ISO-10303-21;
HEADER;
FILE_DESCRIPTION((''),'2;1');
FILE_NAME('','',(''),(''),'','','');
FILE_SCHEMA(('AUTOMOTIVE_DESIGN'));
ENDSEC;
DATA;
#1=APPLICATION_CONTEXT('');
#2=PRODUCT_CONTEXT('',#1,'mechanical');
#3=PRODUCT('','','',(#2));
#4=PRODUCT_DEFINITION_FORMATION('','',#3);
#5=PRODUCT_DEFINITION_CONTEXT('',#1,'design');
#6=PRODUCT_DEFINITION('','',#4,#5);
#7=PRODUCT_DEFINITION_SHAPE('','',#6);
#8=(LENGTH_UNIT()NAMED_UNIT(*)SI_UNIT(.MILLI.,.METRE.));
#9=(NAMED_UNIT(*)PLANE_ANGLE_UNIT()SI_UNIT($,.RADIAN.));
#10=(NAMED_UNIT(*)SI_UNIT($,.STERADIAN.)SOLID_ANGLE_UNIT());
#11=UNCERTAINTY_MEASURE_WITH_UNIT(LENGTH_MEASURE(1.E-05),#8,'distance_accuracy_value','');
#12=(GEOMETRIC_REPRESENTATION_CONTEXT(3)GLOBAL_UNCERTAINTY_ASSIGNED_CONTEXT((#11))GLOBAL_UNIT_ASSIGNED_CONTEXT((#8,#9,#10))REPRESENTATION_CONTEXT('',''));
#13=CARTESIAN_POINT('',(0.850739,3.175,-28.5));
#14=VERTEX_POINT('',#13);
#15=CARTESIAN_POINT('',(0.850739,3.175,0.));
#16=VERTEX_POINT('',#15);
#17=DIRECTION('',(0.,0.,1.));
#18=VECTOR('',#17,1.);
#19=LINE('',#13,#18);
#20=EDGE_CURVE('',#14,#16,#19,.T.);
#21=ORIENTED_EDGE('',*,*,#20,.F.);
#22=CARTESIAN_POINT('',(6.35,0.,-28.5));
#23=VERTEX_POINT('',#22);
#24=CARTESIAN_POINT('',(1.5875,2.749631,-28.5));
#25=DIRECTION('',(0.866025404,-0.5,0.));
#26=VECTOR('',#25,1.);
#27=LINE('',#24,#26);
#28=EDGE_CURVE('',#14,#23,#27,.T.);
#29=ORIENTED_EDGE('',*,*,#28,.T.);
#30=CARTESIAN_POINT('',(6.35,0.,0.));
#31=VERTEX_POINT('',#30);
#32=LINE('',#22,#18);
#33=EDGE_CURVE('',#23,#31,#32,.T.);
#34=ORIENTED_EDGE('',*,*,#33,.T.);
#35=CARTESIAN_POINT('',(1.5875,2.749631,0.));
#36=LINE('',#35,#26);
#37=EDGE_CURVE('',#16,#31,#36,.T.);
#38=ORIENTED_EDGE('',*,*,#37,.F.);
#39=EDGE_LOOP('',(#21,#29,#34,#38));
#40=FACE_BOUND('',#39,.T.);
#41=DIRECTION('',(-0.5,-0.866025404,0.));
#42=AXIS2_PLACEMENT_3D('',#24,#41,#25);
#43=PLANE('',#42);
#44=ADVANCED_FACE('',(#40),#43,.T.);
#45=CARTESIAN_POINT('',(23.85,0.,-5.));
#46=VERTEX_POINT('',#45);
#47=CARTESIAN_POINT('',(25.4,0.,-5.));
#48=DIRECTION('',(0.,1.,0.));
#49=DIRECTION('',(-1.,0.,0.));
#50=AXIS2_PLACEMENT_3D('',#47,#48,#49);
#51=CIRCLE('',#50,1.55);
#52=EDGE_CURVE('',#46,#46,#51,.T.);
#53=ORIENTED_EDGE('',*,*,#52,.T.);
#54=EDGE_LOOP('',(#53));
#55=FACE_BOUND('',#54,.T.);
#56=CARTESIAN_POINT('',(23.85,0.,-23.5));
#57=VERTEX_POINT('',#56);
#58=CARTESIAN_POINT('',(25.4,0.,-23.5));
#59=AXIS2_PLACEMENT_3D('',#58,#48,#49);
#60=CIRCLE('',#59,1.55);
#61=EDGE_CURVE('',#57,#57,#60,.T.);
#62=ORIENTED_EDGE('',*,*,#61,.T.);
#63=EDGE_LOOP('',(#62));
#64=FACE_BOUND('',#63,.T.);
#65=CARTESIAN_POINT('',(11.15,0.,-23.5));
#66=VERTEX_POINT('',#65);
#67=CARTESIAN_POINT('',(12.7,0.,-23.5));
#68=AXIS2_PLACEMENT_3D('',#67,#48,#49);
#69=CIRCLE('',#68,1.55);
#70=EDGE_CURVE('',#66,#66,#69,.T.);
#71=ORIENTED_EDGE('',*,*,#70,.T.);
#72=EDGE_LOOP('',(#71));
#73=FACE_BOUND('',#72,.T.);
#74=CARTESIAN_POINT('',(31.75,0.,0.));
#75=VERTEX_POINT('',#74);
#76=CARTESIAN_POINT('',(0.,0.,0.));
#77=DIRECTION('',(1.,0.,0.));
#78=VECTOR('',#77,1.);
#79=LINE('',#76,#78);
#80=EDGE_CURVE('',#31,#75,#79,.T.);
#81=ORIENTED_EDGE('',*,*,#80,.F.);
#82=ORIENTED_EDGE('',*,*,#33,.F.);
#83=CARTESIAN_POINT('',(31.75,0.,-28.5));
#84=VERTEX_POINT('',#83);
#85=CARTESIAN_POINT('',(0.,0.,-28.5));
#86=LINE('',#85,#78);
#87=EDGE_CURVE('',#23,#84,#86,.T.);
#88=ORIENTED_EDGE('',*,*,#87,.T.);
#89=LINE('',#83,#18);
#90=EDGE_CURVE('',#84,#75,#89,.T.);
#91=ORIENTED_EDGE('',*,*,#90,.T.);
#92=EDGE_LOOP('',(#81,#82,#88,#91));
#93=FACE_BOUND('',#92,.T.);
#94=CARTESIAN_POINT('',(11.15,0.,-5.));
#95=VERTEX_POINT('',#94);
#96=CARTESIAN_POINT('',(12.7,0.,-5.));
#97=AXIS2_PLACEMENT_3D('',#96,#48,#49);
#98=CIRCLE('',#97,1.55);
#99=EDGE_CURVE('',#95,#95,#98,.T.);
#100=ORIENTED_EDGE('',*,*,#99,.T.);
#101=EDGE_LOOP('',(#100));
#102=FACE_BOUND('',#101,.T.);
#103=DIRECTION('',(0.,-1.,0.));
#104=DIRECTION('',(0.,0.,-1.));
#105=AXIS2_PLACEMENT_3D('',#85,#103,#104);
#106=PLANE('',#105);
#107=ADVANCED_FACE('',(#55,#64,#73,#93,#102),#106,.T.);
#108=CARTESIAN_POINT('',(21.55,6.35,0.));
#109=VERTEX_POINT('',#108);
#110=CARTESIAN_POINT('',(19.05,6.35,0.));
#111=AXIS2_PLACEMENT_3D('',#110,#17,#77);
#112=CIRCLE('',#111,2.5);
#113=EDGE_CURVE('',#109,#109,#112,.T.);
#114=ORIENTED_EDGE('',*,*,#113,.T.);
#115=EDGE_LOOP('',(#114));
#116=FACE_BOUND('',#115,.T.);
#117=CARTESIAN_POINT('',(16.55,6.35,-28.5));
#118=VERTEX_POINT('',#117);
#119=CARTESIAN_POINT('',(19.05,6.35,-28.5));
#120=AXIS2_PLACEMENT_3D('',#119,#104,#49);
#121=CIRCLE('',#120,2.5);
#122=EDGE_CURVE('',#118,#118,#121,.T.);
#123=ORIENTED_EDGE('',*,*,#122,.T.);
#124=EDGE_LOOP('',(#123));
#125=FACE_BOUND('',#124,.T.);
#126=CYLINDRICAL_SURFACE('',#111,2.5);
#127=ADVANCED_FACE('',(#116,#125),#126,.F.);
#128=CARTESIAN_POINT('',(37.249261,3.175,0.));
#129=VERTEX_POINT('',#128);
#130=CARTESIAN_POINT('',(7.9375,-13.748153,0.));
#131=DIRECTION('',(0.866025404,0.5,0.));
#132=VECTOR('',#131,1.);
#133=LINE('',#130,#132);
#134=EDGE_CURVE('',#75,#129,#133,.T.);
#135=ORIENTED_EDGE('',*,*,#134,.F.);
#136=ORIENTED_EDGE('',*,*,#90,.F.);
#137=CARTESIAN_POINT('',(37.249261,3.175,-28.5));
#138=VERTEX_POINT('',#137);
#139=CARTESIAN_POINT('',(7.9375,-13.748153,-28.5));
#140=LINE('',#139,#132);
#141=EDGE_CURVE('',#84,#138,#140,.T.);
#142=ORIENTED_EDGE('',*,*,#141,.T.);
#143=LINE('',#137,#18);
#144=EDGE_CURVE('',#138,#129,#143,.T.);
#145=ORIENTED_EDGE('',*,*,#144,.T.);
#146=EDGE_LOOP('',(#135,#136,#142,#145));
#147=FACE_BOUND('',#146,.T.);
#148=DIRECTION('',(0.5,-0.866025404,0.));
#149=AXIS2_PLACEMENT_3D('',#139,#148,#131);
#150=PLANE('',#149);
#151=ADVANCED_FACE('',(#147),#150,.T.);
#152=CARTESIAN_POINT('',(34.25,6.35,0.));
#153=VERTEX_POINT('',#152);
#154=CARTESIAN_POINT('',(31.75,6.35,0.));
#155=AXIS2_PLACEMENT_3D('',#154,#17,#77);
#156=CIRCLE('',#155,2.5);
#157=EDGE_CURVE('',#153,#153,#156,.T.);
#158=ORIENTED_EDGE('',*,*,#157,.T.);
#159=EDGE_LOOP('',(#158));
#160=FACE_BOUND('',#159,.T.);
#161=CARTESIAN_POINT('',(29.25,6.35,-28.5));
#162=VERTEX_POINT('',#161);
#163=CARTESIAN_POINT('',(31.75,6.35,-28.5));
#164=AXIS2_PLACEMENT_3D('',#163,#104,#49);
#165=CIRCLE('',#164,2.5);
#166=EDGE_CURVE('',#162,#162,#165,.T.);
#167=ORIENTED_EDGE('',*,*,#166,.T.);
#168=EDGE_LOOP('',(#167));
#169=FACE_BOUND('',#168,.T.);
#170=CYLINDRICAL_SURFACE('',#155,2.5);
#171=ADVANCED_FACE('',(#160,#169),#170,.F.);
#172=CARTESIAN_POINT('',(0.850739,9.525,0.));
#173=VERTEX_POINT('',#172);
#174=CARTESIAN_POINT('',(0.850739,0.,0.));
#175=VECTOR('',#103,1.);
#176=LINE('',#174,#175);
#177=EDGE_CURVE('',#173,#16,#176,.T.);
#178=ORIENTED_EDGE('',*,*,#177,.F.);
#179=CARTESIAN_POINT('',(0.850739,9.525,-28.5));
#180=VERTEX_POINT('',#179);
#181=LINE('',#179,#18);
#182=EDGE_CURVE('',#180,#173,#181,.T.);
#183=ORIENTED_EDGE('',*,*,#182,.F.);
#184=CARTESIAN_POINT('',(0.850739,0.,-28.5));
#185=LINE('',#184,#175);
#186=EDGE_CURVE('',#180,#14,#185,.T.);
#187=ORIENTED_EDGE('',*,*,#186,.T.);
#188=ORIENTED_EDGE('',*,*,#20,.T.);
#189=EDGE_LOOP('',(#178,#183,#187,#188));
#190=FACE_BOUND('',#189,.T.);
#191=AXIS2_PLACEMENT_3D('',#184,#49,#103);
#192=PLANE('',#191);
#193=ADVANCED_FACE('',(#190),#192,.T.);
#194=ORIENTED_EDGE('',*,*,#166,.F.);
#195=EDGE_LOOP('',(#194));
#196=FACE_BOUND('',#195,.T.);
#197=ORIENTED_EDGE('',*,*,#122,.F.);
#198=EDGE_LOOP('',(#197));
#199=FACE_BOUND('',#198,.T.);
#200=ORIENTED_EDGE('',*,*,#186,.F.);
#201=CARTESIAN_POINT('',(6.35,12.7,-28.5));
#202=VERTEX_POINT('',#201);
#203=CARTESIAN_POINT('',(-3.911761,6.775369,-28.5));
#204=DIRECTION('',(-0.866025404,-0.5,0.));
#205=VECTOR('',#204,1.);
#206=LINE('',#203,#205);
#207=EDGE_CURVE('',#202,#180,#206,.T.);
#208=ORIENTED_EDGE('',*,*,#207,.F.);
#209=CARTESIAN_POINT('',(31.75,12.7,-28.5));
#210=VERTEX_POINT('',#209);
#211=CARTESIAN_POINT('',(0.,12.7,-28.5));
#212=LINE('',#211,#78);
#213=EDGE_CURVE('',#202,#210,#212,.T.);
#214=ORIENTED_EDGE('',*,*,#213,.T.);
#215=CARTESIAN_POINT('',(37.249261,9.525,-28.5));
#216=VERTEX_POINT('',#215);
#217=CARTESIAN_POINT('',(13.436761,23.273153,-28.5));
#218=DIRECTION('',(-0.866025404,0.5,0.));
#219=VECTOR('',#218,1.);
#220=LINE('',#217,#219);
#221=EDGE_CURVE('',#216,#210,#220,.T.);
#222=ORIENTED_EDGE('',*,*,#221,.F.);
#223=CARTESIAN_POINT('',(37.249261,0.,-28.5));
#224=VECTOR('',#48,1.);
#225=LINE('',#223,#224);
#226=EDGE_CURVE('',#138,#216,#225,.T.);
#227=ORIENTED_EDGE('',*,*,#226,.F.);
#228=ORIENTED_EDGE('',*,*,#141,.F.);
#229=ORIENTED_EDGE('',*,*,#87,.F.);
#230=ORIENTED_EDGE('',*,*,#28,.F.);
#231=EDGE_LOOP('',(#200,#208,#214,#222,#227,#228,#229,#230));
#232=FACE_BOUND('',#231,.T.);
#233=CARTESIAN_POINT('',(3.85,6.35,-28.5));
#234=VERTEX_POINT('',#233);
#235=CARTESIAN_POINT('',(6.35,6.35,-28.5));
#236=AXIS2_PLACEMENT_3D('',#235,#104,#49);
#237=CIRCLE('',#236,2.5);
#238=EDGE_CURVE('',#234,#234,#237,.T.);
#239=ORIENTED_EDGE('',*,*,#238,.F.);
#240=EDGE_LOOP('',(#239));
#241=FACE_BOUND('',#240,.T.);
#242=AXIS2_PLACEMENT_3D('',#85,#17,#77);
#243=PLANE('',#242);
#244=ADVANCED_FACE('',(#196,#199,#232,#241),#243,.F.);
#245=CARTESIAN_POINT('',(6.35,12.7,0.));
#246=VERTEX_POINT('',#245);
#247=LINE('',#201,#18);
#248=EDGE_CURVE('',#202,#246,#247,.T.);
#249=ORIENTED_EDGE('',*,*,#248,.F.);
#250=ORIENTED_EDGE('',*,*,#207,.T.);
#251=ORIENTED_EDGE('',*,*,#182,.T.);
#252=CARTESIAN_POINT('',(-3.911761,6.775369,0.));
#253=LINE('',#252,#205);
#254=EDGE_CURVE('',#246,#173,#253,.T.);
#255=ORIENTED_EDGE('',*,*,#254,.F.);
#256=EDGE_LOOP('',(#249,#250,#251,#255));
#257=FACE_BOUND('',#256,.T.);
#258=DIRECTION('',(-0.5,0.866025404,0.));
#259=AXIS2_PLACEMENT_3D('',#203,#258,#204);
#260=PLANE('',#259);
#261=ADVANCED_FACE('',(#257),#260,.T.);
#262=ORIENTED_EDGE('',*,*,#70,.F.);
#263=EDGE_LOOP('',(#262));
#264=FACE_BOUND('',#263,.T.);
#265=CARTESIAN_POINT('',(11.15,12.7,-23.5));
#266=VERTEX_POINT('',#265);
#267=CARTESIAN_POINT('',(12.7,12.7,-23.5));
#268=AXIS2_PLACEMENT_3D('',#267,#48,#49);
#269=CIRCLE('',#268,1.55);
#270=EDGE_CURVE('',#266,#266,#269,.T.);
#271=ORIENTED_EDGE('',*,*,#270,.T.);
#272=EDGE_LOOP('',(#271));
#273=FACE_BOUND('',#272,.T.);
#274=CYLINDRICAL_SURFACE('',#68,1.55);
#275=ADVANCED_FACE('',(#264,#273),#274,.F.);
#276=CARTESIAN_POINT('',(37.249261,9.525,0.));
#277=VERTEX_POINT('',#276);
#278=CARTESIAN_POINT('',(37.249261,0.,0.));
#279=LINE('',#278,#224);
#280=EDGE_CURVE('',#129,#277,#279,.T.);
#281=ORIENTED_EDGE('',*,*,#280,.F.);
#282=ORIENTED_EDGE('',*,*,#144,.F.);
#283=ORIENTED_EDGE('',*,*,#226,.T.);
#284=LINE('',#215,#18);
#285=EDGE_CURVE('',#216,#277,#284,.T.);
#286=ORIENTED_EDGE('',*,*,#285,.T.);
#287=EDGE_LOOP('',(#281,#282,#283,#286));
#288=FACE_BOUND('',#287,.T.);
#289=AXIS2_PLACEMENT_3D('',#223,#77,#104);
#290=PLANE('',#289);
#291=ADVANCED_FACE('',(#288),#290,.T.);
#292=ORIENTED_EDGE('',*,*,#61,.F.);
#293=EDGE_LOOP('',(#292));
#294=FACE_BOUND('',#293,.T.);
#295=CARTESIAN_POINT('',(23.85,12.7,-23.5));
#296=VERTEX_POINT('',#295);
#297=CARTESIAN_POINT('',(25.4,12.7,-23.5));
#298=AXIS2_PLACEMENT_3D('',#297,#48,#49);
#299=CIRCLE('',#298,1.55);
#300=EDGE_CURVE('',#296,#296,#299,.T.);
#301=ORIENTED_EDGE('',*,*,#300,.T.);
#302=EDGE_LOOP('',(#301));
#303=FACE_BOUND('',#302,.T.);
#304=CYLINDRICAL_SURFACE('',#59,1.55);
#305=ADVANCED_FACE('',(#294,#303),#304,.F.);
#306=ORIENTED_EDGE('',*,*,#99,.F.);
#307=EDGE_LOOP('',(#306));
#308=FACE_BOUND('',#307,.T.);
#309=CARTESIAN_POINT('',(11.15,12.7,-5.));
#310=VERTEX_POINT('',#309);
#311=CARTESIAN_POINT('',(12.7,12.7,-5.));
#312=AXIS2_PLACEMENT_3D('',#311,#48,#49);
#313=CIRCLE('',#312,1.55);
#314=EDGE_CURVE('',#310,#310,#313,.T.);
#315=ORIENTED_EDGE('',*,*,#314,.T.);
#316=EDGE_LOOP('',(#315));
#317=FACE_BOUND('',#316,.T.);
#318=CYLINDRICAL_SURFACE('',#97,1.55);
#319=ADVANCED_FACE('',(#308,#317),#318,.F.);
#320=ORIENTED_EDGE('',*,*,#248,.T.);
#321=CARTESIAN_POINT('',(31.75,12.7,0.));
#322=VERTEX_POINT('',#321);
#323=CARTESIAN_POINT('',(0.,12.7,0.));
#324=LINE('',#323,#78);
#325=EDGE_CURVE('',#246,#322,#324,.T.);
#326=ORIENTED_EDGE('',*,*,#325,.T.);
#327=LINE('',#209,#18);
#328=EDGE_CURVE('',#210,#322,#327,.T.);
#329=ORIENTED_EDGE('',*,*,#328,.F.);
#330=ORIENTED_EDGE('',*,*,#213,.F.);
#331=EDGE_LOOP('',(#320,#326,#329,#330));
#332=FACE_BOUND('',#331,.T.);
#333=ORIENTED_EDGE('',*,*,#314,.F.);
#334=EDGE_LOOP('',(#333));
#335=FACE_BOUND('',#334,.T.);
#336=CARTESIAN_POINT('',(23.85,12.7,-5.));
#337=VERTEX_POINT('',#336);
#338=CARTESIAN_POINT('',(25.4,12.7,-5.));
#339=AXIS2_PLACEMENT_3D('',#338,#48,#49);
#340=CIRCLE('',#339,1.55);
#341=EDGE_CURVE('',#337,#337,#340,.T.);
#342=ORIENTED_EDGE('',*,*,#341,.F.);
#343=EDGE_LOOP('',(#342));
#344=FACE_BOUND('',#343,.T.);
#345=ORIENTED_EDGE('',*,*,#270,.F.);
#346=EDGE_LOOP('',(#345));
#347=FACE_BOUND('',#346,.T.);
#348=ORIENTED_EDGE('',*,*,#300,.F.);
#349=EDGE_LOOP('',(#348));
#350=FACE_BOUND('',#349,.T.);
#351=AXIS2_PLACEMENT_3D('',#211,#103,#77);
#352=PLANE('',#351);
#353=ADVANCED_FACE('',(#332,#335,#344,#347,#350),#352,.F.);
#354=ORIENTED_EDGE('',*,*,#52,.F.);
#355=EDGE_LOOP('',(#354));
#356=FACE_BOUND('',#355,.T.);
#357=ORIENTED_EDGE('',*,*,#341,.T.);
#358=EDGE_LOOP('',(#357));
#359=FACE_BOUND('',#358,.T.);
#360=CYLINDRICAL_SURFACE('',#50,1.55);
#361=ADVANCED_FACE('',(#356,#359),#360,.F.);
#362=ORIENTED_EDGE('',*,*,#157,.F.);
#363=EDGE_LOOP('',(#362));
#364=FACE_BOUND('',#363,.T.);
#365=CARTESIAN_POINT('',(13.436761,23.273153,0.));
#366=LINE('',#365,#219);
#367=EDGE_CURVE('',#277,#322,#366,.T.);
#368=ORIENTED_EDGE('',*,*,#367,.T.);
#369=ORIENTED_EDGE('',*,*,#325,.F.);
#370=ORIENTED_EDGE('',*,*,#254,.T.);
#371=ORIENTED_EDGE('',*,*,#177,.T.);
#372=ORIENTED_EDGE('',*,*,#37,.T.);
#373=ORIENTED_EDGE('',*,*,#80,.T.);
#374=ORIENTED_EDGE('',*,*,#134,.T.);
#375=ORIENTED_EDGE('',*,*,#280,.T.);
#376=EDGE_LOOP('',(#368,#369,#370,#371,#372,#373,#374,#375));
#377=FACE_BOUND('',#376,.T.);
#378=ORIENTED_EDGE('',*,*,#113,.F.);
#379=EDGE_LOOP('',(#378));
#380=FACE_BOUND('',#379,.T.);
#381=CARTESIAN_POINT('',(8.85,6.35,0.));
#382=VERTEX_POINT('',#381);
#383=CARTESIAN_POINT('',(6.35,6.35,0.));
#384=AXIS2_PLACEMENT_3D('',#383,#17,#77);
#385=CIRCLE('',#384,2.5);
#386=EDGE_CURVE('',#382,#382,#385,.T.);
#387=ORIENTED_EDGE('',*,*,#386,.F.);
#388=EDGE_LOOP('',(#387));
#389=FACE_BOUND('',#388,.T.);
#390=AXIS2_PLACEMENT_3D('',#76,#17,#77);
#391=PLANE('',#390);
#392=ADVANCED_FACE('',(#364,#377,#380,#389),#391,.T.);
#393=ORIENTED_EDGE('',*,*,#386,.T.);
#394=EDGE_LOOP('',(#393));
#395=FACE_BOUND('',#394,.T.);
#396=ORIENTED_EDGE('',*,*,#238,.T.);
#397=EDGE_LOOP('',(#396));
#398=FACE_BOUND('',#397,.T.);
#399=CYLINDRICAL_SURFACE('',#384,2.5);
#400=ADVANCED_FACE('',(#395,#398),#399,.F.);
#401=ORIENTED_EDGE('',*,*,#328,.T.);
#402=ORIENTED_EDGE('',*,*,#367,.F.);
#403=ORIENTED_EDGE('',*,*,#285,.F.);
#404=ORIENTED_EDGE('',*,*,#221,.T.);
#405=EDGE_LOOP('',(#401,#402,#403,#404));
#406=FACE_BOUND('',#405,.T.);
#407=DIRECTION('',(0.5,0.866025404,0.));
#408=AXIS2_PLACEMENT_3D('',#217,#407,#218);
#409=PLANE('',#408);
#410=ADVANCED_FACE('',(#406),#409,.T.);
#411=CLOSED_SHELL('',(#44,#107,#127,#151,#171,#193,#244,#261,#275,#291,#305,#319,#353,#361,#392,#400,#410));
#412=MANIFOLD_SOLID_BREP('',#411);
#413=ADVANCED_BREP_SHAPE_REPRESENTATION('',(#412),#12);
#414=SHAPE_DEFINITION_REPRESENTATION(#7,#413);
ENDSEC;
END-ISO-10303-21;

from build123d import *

# Parameters (mm, degrees)
BOSS_EXTRUDE1_DEPTH   = 28.5
M6_TAPPED_HOLE1_D     = 5
M6_TAPPED_HOLE1_DEPTH = 6
M6_TAPPED_HOLE1_TIP   = 1.502151548
M6_TAPPED_HOLE2_D     = 5
M6_TAPPED_HOLE2_DEPTH = 8
M6_TAPPED_HOLE2_TIP   = 1.502151548
SKETCH6_R             = 2.5
CUT_EXTRUDE2_DEPTH    = 29.5
SKETCH5_R             = 1.55
CUT_EXTRUDE1_DEPTH    = 13.7


with BuildPart() as part:
    # Sketch1 → Boss-Extrude1 (new body)
    with BuildSketch(Plane.XY):
        Polygon((11.849261314, 3.175), (6.35, 0), (31.75, 0), (26.250738686, 3.175), (26.250738686, 9.525), (31.75, 12.7), (6.35, 12.7), (11.849261314, 9.525), align=None)
        Polygon((0.850738686, 9.525), (0.850738686, 3.175), (6.35, 0), (11.849261314, 3.175), (11.849261314, 9.525), (6.35, 12.7), align=None)
        Polygon((26.250738686, 9.525), (26.250738686, 3.175), (31.75, 0), (37.249261314, 3.175), (37.249261314, 9.525), (31.75, 12.7), align=None)
    extrude(amount=-BOSS_EXTRUDE1_DEPTH)

    # M6 Tapped Hole1
    with Locations(Plane.XY):
        with Locations((19.05, 6.35), (31.75, 6.35), (6.35, 6.35)):
            Hole(M6_TAPPED_HOLE1_D / 2, depth=M6_TAPPED_HOLE1_DEPTH)
            with Locations((0, 0, -(M6_TAPPED_HOLE1_DEPTH + M6_TAPPED_HOLE1_TIP / 2))):  # 118° drill point
                Cone(0, M6_TAPPED_HOLE1_D / 2, M6_TAPPED_HOLE1_TIP, mode=Mode.SUBTRACT)

    # M6 Tapped Hole2
    with Locations(Plane(origin=(0, 0, -28.5), x_dir=(-1, 0, 0), z_dir=(0, 0, -1))):
        with Locations((-31.75, 6.35), (-19.05, 6.35), (-6.35, 6.35)):
            Hole(M6_TAPPED_HOLE2_D / 2, depth=M6_TAPPED_HOLE2_DEPTH)
            with Locations((0, 0, -(M6_TAPPED_HOLE2_DEPTH + M6_TAPPED_HOLE2_TIP / 2))):  # 118° drill point
                Cone(0, M6_TAPPED_HOLE2_D / 2, M6_TAPPED_HOLE2_TIP, mode=Mode.SUBTRACT)

    # Sketch6 → Cut-Extrude2 (cut, through all)
    with BuildSketch(Plane.XY):
        with Locations((6.35, 6.35)):
            Circle(SKETCH6_R)
        with Locations((19.05, 6.35)):
            Circle(SKETCH6_R)
        with Locations((31.75, 6.35)):
            Circle(SKETCH6_R)
    extrude(amount=-CUT_EXTRUDE2_DEPTH, mode=Mode.SUBTRACT)

    # Sketch5 → Cut-Extrude1 (cut, through all)
    with BuildSketch(Plane(origin=(0, 12.7, 0), x_dir=(1, 0, 0), z_dir=(0, 1, 0))):
        with Locations((12.7, 23.5)):
            Circle(SKETCH5_R)
        with Locations((25.4, 23.5)):
            Circle(SKETCH5_R)
        with Locations((25.4, 5)):
            Circle(SKETCH5_R)
        with Locations((12.7, 5)):
            Circle(SKETCH5_R)
    extrude(amount=-CUT_EXTRUDE1_DEPTH, mode=Mode.SUBTRACT)


solid = part.part
